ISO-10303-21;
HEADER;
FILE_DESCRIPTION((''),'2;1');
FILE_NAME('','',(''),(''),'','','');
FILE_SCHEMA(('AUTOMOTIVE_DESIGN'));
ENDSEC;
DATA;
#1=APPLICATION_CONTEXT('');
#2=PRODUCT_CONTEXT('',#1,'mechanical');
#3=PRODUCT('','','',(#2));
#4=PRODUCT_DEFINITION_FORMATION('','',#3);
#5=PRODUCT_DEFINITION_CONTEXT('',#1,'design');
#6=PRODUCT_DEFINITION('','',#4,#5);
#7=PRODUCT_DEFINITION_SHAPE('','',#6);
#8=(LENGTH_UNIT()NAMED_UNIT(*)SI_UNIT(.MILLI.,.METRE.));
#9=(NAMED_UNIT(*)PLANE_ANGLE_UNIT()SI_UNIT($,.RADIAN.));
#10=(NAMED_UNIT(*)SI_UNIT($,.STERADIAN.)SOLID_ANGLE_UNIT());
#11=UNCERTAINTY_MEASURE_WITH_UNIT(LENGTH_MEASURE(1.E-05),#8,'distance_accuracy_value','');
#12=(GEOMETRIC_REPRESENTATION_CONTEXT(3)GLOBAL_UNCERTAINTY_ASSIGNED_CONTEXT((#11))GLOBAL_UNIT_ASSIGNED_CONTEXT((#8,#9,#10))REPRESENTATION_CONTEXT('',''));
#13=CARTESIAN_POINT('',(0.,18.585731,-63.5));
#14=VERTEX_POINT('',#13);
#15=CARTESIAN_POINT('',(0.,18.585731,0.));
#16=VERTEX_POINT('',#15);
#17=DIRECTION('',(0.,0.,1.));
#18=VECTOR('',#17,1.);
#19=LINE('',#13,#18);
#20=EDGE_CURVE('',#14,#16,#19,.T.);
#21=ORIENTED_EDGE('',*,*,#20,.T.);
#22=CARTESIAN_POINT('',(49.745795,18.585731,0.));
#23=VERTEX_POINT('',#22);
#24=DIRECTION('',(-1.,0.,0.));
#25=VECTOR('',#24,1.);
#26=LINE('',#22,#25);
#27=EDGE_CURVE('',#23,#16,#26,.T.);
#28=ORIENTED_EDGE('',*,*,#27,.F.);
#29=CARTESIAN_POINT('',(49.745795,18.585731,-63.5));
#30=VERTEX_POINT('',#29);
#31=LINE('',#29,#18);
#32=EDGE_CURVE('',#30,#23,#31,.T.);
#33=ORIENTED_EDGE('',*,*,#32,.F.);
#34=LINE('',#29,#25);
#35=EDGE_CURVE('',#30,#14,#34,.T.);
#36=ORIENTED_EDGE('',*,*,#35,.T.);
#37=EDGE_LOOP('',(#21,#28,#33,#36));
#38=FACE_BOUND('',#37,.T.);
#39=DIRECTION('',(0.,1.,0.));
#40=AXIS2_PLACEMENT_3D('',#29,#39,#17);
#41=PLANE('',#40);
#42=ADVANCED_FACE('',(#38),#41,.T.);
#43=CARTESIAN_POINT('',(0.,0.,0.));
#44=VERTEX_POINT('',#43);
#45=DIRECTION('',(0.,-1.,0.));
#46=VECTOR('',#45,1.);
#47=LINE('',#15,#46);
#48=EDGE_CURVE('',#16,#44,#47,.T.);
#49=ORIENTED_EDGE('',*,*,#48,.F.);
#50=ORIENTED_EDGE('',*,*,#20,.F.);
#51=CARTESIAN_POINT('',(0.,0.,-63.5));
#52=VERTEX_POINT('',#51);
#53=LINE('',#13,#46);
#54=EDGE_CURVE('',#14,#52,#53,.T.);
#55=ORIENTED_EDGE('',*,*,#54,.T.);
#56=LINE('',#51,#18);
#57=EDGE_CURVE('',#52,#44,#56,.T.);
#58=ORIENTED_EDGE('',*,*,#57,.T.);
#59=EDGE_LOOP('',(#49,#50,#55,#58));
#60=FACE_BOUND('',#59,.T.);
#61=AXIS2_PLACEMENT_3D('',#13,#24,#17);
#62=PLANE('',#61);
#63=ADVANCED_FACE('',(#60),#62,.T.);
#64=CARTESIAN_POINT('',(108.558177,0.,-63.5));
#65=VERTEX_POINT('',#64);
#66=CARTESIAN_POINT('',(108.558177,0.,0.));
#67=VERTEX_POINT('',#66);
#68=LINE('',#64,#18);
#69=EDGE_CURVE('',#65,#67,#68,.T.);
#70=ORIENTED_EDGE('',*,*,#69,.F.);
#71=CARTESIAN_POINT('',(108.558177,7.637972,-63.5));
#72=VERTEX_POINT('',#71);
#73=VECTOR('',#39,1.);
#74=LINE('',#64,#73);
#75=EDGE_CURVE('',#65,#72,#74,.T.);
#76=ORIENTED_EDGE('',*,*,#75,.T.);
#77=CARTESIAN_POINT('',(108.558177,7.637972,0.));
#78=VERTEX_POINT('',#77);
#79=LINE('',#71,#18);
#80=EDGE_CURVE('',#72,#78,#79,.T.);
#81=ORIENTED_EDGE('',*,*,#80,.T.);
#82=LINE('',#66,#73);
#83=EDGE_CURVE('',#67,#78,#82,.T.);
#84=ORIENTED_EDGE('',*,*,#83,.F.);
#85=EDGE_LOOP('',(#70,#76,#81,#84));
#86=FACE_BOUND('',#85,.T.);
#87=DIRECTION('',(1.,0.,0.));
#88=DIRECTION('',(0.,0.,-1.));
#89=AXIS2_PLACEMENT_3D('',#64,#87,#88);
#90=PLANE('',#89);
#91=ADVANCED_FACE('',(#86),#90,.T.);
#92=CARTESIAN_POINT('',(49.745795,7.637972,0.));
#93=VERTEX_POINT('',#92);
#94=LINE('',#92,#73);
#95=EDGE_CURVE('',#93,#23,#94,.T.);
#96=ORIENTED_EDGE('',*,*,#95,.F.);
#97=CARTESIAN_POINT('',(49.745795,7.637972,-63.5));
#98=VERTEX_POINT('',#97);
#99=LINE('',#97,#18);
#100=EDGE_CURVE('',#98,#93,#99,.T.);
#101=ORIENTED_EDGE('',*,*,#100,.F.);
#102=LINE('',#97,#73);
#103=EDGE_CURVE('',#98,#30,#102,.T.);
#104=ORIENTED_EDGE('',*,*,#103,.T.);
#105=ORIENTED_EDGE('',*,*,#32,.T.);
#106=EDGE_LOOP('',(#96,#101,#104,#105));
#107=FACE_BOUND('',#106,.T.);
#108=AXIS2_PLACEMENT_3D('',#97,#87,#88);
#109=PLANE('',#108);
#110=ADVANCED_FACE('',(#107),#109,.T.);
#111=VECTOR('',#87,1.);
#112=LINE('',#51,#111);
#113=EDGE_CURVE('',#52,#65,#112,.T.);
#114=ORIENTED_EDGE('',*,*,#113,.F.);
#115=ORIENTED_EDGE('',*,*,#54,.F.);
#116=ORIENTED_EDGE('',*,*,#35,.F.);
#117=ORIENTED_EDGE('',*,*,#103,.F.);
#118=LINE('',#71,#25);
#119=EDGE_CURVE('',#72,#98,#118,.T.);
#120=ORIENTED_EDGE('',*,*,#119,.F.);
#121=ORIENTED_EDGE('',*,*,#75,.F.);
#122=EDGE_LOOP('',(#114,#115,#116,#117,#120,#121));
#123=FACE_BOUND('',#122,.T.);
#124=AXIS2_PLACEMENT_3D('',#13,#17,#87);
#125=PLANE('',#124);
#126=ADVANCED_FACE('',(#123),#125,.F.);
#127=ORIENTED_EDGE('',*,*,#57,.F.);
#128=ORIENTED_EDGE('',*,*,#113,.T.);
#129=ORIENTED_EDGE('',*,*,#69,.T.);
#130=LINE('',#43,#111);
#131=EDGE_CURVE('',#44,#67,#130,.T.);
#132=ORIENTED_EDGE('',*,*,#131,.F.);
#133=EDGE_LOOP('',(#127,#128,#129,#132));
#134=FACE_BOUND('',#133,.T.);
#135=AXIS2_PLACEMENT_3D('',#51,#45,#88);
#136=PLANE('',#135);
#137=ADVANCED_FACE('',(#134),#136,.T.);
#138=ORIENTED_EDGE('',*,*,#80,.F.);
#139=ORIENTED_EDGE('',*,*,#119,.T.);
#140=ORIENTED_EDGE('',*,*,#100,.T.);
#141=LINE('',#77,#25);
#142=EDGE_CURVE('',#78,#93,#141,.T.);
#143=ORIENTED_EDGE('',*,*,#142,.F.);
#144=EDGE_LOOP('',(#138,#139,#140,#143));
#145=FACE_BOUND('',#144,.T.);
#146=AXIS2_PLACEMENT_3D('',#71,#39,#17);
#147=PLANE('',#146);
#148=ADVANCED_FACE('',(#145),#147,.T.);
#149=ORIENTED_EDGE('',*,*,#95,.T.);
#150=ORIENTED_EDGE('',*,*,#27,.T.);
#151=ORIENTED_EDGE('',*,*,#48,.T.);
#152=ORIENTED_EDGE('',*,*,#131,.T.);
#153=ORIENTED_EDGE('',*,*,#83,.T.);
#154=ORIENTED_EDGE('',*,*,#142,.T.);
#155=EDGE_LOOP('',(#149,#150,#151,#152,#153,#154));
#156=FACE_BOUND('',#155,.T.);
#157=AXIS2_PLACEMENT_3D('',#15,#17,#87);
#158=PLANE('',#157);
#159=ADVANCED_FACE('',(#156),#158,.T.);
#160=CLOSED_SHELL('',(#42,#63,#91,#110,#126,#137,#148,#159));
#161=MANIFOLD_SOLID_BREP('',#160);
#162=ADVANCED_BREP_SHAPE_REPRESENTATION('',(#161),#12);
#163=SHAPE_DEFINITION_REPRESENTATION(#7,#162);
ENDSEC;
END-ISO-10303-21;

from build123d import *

# Parameters (mm, degrees)
EXTRUDE1_DEPTH = 63.5


with BuildPart() as part:
    # Sketch1 → Extrude1 (new body)
    with BuildSketch(Plane.XY):
        Polygon((0, 18.585731132), (0, 0), (108.558177072, 0), (108.558177072, 7.637971698), (49.745794997, 7.637971698), (49.745794997, 18.585731132), align=None)
    extrude(amount=-EXTRUDE1_DEPTH)


solid = part.part
